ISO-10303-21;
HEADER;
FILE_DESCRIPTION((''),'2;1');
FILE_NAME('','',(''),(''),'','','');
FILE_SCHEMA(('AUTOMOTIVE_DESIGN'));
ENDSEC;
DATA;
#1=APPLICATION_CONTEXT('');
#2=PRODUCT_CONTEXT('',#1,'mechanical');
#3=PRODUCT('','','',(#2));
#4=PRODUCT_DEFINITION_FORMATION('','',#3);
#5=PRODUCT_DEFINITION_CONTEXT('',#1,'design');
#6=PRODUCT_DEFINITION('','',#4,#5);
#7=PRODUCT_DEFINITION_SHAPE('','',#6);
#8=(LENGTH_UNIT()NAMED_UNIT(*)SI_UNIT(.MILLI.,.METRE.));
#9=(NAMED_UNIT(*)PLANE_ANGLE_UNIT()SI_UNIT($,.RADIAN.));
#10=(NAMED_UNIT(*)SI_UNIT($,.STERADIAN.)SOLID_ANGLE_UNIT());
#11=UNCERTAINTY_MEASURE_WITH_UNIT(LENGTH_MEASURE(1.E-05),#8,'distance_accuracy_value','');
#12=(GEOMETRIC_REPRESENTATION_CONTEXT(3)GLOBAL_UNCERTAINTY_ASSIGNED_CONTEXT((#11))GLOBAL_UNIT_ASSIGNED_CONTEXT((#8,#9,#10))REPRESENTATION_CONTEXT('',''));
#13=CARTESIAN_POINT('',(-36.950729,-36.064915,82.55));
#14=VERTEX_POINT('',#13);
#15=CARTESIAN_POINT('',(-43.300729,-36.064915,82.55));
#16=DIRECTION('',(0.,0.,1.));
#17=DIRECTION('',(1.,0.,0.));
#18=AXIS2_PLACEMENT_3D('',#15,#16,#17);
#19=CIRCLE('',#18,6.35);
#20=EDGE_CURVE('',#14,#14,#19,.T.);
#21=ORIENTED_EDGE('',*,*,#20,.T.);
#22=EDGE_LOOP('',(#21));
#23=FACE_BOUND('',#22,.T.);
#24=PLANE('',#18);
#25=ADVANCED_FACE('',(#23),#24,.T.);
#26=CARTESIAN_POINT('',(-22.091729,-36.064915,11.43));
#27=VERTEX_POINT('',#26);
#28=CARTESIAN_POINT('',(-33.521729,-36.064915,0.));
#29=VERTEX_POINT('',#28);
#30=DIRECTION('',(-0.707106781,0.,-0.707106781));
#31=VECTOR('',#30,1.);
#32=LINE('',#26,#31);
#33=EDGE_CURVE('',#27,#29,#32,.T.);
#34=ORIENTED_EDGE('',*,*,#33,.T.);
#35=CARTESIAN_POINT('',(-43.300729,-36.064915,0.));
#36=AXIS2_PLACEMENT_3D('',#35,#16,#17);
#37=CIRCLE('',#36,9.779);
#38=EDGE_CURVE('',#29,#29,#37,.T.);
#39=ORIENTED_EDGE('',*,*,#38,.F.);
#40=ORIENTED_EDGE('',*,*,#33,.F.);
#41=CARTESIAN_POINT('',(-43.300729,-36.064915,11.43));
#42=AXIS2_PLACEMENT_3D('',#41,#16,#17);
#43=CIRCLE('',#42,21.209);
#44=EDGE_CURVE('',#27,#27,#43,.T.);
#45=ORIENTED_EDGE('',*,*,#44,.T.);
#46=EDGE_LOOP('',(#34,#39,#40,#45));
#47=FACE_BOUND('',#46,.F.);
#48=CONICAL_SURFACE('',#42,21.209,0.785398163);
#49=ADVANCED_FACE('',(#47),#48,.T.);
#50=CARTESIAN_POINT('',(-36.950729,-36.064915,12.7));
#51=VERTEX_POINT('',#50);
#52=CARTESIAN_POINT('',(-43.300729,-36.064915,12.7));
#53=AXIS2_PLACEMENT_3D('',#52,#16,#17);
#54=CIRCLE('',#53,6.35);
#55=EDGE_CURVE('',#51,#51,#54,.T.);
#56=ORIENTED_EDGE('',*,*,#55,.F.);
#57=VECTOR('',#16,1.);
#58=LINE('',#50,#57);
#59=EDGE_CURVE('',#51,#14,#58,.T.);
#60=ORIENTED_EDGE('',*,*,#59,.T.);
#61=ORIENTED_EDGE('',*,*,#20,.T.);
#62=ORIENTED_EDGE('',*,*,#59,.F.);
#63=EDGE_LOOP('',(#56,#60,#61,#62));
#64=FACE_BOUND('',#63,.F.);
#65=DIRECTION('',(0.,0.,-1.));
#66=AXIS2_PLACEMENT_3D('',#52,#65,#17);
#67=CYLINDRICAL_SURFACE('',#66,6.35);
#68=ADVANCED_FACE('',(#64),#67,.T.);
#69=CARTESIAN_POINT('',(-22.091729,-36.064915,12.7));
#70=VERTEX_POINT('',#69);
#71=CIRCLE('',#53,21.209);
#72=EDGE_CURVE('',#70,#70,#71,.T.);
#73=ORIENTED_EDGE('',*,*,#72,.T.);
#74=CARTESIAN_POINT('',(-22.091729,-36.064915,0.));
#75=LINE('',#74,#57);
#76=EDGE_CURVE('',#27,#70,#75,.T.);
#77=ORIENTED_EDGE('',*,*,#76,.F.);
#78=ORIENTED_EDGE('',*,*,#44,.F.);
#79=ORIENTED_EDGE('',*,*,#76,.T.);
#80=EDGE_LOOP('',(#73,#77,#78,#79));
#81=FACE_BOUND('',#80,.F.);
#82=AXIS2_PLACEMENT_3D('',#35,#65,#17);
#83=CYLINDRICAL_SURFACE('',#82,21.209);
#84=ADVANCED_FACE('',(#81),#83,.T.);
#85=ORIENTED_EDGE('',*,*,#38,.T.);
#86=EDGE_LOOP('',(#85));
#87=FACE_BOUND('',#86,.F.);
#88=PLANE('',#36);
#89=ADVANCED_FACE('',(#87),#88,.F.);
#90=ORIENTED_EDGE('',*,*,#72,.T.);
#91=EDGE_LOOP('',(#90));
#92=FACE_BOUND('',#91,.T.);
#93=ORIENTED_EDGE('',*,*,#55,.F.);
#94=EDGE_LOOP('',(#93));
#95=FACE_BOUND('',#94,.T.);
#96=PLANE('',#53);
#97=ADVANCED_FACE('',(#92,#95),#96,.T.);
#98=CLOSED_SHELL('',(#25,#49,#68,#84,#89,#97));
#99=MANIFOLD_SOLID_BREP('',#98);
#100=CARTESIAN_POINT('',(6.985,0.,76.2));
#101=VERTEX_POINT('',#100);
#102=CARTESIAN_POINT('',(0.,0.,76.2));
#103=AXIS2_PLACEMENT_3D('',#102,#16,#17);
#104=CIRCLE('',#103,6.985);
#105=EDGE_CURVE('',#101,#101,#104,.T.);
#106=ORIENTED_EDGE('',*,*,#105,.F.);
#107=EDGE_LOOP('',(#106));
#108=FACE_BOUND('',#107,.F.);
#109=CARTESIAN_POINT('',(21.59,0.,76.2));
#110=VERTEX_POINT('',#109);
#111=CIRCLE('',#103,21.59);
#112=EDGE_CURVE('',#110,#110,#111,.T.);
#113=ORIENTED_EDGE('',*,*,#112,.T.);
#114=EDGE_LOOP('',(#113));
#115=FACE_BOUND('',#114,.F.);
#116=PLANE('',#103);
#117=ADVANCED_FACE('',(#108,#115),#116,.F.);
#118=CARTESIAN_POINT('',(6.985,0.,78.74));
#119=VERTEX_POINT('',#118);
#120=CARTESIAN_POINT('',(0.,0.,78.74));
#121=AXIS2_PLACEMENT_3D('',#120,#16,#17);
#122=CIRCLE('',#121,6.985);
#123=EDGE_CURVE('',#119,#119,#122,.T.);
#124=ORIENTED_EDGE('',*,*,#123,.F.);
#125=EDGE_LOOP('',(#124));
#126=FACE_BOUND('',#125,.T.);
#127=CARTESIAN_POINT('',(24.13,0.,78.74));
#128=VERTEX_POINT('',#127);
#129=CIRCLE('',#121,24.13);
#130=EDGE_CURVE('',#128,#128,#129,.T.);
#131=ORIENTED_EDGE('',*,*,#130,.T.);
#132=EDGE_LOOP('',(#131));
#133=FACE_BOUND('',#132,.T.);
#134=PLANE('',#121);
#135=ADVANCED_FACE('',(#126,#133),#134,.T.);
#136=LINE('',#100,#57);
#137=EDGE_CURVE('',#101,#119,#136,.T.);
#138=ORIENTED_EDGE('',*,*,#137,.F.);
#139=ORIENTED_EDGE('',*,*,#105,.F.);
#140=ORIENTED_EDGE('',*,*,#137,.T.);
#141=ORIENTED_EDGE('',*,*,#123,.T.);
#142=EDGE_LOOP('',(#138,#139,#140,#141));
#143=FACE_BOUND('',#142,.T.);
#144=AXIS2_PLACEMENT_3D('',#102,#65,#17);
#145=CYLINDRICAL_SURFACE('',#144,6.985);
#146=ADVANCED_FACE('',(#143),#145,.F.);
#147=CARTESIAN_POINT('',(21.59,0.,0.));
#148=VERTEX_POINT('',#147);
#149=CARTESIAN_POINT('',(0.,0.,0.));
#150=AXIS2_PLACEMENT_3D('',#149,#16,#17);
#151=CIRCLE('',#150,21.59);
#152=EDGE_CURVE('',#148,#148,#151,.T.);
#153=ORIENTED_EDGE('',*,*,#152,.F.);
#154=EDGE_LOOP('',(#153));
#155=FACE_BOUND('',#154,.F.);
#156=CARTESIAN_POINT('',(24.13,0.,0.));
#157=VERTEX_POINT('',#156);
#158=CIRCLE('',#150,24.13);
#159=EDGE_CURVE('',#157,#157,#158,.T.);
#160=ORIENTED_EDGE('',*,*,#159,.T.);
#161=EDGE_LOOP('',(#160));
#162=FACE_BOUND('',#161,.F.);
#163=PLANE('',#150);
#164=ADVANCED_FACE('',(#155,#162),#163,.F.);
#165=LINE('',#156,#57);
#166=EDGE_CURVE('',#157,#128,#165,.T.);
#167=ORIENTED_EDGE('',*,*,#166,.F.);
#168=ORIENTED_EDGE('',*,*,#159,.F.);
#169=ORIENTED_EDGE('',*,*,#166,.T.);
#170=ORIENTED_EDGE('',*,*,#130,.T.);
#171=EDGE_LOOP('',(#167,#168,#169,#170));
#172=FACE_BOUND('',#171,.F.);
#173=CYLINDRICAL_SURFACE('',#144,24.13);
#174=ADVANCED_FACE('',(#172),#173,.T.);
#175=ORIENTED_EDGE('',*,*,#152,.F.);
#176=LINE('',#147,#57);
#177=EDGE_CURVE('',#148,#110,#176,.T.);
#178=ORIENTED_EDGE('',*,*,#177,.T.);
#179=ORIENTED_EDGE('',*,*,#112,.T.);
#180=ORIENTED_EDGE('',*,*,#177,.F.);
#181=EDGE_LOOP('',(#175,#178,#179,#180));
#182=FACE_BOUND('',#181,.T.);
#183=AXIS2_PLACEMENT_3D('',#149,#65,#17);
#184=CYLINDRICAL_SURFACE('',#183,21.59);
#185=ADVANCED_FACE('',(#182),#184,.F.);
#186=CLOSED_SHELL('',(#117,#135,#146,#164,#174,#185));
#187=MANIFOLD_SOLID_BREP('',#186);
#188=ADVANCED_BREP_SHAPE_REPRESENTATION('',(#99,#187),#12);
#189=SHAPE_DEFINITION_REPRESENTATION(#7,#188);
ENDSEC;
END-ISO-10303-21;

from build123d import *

# Parameters (mm, degrees)
F0_R     = 24.13
F0_R_2   = 21.59
F1_DEPTH = 76.2
F2_R     = 21.209
F3_DEPTH = 12.7
F4_SIZE  = 11.43
F5_R     = 6.35
F6_DEPTH = 69.85
F7_R     = 24.13
F7_R_2   = 6.985
F8_DEPTH = 2.54


with BuildPart() as f1:
    # F0 (on Top) → F1 (new body)
    with BuildSketch(Plane.XY):
        Circle(F0_R)
        Circle(F0_R_2, mode=Mode.SUBTRACT)
    extrude(amount=F1_DEPTH)

    # F7 (on face) → F8 (join)
    with BuildSketch(Plane.XY.offset(76.2)):
        Circle(F7_R)
        Circle(F7_R_2, mode=Mode.SUBTRACT)
    extrude(amount=F8_DEPTH)


with BuildPart() as f3:
    # F2 (on Top) → F3 (new body)
    with BuildSketch(Plane.XY):
        with Locations((-43.300729, -36.064915)):
            Circle(F2_R)
    extrude(amount=F3_DEPTH)

    # F4
    f4_edges = [f3.edges().sort_by_distance(p)[0] for p in [
        (-64.509729, -36.064915, 0),
    ]]
    chamfer(f4_edges, length=F4_SIZE)

    # F5 (on face) → F6 (join)
    with BuildSketch(Plane.XY.offset(12.7)):
        with Locations((-43.300729, -36.064915)):
            Circle(F5_R)
    extrude(amount=F6_DEPTH)


solid = Compound([f1.part, f3.part])
